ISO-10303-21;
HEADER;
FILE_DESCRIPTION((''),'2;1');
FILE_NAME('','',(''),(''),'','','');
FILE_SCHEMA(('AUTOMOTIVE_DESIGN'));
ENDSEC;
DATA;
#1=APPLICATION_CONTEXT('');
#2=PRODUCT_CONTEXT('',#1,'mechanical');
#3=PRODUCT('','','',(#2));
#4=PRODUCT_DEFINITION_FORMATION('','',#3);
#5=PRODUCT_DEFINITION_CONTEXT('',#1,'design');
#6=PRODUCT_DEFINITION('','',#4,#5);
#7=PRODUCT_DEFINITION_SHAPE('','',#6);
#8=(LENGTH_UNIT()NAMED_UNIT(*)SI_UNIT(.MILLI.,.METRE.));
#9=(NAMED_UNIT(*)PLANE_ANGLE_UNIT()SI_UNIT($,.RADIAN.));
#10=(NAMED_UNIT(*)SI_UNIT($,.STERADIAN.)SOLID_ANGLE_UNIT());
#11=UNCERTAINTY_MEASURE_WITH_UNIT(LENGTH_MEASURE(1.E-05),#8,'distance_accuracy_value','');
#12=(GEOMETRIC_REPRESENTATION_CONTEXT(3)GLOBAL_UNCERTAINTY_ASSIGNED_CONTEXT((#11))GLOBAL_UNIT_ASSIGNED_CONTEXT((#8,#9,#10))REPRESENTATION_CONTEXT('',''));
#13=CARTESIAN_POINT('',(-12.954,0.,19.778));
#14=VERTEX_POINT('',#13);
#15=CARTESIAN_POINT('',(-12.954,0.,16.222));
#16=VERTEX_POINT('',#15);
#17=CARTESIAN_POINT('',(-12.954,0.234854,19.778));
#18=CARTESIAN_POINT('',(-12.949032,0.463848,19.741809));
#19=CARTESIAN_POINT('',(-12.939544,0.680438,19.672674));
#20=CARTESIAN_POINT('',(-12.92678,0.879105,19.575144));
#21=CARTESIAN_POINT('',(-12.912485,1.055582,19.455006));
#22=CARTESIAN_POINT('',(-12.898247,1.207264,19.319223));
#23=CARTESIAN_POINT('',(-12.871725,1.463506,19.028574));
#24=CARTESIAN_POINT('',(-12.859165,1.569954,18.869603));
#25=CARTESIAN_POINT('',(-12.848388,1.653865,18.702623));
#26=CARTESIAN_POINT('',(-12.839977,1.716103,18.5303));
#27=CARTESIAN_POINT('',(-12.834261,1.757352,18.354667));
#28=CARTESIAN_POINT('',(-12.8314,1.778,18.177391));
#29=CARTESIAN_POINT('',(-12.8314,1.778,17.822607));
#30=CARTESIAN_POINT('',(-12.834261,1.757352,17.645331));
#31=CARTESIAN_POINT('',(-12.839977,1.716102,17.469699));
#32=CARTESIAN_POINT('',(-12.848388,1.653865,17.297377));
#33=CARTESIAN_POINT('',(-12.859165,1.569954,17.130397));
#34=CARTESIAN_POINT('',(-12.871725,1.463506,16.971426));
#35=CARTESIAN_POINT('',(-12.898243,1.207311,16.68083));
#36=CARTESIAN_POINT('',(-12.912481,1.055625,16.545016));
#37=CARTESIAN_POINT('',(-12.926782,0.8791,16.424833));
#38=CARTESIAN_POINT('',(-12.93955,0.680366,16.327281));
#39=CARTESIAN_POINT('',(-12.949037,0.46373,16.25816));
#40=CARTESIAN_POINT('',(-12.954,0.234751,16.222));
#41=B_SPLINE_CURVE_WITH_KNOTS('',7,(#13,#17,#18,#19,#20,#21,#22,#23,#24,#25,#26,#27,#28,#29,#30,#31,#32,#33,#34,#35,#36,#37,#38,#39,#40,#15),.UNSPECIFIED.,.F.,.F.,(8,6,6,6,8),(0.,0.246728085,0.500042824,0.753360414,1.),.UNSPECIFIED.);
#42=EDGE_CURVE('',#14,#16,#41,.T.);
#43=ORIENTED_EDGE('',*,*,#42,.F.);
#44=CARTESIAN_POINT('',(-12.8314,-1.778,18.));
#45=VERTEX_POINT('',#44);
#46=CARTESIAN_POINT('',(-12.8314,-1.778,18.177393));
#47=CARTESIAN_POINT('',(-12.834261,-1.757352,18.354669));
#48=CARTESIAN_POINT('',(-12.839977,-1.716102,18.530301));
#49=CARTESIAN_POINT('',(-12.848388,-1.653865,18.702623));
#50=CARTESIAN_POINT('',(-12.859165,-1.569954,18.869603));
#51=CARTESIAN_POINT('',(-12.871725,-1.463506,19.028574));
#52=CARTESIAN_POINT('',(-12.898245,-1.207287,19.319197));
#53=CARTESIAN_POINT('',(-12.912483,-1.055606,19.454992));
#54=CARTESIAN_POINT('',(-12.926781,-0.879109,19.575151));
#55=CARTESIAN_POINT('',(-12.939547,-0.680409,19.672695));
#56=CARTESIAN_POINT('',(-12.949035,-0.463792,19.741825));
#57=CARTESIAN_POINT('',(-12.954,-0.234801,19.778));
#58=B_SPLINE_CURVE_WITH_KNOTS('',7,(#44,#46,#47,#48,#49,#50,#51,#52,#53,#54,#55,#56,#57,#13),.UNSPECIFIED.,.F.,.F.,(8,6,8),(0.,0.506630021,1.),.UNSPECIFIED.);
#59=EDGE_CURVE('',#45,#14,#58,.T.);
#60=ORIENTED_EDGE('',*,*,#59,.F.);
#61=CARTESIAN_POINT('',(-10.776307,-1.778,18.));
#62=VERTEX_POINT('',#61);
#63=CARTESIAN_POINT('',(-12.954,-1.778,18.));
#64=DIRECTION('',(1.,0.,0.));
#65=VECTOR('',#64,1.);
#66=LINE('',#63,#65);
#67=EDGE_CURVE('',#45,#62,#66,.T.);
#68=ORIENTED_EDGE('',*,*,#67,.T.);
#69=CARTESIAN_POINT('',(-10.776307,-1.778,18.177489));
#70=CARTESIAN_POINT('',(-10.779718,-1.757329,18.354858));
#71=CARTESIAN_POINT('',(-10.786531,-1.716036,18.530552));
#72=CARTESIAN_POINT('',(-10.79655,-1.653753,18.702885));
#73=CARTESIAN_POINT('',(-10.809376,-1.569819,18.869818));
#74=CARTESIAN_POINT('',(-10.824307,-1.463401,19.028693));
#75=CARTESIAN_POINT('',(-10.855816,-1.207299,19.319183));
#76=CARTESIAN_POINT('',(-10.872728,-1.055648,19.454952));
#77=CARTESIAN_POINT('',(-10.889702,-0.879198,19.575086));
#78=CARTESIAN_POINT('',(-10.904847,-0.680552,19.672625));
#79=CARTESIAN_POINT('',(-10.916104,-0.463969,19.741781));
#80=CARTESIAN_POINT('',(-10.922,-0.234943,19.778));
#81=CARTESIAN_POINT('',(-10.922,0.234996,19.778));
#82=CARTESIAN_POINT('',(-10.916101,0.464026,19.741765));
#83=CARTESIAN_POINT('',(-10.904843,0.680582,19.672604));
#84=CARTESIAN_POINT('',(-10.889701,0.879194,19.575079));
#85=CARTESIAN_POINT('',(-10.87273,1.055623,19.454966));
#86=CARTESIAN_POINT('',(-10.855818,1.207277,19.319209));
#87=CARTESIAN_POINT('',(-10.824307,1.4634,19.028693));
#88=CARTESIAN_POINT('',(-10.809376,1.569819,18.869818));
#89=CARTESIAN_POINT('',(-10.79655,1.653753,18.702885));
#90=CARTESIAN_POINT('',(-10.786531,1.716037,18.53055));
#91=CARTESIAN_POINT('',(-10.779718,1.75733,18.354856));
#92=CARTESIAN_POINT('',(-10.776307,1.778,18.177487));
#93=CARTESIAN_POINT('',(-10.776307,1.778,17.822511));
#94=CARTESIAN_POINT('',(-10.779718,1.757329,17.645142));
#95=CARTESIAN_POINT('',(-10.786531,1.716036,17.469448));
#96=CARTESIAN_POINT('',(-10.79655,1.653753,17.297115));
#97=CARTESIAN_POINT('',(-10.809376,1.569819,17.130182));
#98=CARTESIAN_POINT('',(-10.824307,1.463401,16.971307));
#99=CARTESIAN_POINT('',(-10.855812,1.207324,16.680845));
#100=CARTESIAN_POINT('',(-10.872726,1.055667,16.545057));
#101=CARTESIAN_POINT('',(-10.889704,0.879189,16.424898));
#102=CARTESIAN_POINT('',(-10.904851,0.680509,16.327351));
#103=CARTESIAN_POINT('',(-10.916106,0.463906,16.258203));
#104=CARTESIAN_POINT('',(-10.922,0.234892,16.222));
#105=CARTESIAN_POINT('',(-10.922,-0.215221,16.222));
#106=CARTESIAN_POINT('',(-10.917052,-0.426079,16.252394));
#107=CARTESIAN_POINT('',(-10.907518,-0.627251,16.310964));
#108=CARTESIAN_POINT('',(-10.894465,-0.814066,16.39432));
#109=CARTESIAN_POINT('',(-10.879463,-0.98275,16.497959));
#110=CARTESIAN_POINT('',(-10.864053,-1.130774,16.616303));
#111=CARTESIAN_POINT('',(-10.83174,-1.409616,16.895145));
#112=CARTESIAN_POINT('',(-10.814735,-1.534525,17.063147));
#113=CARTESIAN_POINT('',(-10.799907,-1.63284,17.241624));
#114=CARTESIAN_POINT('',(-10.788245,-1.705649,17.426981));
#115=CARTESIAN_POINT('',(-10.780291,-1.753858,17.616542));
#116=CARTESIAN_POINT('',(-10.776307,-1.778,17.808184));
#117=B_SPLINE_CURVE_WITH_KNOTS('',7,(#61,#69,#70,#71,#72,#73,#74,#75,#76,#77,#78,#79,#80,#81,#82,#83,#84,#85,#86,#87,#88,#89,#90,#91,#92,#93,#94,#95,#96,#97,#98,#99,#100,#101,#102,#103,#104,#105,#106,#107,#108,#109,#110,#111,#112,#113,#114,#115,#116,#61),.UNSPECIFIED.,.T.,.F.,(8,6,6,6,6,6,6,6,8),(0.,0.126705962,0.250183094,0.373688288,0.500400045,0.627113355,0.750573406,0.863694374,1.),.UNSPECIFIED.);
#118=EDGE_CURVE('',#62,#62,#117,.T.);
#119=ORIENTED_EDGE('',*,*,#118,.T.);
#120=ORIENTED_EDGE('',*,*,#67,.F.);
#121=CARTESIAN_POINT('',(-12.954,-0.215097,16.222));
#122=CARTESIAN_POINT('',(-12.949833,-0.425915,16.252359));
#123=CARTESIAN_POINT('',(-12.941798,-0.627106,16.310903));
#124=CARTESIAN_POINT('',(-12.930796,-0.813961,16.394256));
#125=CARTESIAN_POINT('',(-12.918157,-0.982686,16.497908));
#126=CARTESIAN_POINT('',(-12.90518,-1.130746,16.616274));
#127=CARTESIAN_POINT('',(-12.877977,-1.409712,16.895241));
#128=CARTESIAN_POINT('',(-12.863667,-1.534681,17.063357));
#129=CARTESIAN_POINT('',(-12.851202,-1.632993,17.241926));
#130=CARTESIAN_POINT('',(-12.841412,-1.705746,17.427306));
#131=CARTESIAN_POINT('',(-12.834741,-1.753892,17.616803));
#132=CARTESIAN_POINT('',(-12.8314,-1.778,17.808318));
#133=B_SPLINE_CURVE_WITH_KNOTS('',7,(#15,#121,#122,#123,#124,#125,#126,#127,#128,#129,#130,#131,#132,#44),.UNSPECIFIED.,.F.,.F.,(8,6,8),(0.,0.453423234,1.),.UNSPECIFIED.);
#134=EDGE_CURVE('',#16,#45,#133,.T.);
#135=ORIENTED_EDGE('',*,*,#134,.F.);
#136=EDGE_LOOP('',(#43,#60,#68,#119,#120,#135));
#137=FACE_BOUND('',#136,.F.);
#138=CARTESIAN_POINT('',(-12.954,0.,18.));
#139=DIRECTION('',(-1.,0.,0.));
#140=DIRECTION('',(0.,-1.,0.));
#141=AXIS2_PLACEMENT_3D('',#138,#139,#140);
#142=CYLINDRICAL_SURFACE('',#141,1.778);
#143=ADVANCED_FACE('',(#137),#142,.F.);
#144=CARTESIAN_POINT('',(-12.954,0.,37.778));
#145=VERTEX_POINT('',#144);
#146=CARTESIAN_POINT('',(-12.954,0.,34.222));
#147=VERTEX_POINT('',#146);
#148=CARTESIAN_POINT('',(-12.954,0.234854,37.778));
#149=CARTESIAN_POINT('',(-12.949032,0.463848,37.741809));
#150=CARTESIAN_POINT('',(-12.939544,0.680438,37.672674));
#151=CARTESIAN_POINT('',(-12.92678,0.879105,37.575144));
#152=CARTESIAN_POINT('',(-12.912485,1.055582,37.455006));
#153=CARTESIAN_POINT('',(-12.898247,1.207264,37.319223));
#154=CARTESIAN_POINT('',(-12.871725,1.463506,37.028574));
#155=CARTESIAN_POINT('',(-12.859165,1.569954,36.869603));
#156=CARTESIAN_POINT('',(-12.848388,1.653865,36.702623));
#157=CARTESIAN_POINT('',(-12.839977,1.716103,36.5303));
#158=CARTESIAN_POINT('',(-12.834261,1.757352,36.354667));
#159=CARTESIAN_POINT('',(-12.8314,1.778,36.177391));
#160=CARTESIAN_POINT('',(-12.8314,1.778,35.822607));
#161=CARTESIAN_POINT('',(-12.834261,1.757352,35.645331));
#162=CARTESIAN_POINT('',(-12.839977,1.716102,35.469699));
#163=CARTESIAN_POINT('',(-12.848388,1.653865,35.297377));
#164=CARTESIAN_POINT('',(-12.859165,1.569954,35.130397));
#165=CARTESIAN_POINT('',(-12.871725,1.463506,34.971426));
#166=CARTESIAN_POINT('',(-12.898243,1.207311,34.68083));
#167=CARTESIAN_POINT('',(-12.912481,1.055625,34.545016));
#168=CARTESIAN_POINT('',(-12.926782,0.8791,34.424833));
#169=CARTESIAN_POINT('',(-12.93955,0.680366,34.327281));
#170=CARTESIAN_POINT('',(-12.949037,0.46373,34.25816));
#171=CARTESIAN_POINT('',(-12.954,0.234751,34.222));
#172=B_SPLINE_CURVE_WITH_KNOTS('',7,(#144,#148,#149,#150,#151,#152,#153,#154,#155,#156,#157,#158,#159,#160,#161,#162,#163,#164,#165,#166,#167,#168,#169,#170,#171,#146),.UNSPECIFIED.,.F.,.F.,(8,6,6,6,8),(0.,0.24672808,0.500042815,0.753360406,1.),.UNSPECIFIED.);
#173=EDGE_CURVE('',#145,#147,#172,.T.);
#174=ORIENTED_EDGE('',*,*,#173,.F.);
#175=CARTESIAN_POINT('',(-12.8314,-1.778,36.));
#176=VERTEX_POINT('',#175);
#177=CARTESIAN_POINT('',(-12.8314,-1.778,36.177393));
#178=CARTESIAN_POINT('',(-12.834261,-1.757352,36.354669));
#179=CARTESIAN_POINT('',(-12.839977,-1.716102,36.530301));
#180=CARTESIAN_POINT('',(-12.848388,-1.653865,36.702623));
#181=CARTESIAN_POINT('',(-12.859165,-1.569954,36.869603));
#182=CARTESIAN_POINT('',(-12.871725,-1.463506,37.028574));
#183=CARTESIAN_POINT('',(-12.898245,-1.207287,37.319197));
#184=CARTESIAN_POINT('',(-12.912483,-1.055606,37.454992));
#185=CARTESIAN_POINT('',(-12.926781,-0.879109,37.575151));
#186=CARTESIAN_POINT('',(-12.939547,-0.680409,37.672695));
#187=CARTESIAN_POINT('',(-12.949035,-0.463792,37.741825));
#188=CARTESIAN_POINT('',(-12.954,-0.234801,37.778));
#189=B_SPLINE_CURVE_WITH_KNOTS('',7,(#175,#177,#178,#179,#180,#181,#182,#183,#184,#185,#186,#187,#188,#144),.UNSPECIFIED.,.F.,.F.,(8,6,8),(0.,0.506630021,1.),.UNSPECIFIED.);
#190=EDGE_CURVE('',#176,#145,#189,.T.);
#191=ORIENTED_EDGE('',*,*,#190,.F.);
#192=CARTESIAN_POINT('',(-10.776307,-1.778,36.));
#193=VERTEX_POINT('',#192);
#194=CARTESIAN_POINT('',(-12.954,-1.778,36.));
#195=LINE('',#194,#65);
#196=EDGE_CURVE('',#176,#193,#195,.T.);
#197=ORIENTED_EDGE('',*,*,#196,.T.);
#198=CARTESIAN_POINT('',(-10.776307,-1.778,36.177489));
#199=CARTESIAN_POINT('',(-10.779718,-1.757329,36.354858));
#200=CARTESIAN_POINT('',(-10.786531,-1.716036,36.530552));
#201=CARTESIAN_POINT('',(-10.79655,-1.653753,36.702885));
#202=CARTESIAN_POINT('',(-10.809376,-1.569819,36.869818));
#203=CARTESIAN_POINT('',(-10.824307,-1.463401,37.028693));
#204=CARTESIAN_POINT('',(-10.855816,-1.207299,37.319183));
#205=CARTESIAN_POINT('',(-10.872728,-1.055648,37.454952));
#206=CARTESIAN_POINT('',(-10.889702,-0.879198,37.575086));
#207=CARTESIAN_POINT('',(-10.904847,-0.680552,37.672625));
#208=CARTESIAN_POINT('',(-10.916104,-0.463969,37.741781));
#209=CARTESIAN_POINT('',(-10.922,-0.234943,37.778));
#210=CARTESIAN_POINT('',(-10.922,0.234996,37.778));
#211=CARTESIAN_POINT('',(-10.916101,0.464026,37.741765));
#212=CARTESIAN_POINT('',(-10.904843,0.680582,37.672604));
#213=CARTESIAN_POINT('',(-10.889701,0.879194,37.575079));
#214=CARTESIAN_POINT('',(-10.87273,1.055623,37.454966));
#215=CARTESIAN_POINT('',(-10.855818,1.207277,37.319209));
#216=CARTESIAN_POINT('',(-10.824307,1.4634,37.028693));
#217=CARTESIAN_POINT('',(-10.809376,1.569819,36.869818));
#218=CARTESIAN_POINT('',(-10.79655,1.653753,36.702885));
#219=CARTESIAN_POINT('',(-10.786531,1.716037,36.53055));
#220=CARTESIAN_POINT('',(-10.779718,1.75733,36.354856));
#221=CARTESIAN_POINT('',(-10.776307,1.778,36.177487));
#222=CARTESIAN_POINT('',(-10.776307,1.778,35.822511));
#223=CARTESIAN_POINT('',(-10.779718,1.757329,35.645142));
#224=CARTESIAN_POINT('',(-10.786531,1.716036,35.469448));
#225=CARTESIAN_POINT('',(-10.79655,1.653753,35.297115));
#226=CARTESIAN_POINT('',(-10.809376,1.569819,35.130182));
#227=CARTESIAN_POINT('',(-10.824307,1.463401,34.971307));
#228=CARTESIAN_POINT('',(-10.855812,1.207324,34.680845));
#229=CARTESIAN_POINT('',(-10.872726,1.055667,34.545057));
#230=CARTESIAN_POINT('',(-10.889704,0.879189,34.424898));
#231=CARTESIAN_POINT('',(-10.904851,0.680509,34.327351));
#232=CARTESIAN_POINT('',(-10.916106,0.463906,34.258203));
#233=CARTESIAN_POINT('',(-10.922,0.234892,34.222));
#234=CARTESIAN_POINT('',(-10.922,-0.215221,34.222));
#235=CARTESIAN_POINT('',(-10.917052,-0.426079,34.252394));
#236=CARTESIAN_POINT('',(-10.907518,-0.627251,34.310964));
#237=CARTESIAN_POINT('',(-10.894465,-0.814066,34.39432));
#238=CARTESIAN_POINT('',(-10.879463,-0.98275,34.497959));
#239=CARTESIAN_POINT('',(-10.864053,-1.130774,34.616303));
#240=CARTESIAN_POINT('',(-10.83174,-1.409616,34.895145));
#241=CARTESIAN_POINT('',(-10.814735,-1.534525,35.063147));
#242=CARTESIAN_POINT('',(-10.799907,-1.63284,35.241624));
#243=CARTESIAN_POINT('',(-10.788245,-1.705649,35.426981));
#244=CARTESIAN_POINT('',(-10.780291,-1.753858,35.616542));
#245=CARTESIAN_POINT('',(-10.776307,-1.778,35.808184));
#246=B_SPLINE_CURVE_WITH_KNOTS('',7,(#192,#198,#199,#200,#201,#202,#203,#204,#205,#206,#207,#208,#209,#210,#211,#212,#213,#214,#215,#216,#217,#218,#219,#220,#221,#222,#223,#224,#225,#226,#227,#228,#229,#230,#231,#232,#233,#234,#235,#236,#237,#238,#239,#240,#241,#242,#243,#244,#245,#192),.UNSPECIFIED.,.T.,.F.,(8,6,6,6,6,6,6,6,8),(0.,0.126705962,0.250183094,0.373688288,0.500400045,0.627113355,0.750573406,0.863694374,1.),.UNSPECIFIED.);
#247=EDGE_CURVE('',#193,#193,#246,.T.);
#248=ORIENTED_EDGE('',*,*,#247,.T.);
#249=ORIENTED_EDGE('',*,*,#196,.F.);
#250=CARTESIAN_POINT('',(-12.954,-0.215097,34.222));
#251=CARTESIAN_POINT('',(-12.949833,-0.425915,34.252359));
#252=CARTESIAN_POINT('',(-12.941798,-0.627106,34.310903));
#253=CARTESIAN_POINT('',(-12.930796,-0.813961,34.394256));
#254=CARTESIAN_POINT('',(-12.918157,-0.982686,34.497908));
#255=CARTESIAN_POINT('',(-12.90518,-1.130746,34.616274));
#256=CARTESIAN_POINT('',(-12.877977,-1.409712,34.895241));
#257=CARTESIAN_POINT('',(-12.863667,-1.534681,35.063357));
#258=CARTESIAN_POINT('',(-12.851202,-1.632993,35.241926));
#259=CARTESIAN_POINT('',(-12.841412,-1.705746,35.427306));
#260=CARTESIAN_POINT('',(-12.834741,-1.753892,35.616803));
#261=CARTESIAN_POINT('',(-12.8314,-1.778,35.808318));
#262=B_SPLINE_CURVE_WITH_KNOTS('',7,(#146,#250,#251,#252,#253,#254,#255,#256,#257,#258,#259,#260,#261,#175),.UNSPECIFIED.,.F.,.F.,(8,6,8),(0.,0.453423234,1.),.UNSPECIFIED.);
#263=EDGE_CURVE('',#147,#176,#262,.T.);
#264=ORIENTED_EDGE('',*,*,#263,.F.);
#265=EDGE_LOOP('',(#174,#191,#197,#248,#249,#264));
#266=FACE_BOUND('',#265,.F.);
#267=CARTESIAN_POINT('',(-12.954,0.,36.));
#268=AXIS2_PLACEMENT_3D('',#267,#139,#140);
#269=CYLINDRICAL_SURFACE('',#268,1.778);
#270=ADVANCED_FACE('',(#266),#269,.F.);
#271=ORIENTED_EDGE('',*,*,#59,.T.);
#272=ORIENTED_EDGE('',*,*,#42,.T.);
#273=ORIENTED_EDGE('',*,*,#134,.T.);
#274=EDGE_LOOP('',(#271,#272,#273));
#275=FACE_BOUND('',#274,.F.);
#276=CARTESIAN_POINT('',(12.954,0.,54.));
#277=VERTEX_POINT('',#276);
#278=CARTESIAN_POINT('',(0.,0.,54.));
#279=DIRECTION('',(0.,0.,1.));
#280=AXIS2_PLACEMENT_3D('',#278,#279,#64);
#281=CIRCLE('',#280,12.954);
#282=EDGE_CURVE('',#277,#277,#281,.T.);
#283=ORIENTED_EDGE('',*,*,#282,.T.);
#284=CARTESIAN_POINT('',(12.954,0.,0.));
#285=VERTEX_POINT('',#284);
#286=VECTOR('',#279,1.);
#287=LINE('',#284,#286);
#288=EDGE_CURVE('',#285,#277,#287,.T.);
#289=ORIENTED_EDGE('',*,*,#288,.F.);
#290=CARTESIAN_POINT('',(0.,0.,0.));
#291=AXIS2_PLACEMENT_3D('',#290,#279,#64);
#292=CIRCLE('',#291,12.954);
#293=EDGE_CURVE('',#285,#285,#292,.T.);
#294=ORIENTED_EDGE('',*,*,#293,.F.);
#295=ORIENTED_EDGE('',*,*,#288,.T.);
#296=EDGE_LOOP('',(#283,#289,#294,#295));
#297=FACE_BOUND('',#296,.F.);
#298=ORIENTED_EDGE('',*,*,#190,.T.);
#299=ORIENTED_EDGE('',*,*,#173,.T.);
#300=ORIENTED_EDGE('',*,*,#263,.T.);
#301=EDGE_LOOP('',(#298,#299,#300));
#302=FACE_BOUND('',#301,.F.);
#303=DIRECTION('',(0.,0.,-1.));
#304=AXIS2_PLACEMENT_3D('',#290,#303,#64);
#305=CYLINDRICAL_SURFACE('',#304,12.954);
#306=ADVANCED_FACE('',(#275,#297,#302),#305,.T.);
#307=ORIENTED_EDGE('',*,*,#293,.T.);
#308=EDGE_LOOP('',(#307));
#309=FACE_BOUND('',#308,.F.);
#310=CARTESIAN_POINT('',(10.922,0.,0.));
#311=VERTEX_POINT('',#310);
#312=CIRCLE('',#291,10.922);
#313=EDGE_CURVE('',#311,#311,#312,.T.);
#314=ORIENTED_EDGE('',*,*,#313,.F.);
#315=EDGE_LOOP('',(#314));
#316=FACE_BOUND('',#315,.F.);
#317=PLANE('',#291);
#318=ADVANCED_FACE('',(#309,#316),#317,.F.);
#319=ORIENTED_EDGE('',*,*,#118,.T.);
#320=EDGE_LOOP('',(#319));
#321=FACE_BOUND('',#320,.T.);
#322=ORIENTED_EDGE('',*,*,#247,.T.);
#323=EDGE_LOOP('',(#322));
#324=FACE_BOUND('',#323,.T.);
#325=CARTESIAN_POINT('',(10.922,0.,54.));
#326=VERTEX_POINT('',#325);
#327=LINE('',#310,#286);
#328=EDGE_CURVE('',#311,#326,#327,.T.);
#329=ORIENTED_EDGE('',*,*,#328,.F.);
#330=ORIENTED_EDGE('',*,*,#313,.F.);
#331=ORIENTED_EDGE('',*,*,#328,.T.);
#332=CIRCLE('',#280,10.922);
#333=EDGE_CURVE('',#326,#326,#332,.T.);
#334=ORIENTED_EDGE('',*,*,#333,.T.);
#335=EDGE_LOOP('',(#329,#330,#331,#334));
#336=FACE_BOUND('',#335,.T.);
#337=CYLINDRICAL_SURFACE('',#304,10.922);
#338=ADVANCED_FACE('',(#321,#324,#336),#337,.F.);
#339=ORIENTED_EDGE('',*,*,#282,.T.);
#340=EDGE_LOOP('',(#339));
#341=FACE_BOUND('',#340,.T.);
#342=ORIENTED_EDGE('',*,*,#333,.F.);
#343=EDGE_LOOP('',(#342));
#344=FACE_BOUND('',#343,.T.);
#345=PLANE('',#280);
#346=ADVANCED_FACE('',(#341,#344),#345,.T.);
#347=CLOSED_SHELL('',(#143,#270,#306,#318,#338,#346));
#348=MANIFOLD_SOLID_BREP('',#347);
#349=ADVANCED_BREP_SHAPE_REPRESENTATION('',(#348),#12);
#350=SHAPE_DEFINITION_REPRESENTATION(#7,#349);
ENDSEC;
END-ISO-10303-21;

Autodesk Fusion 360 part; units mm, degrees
sketch "Sketch1" plane through (0, 0, 0) normal (0, 0, 1) x (1, 0, 0)
  circle A0 centre (0, 0) radius 12.954
  circle A1 centre (0, 0) radius 10.922
  dimension "d1" = 25.908
  dimension "d2" = 21.844
extrude "Extrude1" add sketch "Sketch1" along normal blind 54
ref_plane "WorkPlane1" through (-12.954, 0, 40.7115) normal (-1, 0, 0) x (0, 1, 0)
sketch "Sketch2" plane through (-12.954, 0, 0) normal (-1, 0, 0) x (0, -1, 0)
  circle A0 centre (0, 18) radius 1.778
  circle A1 centre (0, 36) radius 1.778
  line L0 (0, 18) -> (0, 0) construction
  line L1 (0, 18) -> (0, 36) construction
  line L2 (0, 36) -> (0, 54) construction
  point P0 (0, 54)
  dimension "d6" = 3.556
  dimension "d7" = 3.556
extrude "Extrude2" cut sketch "Sketch2" along normal up to surface end surface at (10.9084, -0.5444, 36)
